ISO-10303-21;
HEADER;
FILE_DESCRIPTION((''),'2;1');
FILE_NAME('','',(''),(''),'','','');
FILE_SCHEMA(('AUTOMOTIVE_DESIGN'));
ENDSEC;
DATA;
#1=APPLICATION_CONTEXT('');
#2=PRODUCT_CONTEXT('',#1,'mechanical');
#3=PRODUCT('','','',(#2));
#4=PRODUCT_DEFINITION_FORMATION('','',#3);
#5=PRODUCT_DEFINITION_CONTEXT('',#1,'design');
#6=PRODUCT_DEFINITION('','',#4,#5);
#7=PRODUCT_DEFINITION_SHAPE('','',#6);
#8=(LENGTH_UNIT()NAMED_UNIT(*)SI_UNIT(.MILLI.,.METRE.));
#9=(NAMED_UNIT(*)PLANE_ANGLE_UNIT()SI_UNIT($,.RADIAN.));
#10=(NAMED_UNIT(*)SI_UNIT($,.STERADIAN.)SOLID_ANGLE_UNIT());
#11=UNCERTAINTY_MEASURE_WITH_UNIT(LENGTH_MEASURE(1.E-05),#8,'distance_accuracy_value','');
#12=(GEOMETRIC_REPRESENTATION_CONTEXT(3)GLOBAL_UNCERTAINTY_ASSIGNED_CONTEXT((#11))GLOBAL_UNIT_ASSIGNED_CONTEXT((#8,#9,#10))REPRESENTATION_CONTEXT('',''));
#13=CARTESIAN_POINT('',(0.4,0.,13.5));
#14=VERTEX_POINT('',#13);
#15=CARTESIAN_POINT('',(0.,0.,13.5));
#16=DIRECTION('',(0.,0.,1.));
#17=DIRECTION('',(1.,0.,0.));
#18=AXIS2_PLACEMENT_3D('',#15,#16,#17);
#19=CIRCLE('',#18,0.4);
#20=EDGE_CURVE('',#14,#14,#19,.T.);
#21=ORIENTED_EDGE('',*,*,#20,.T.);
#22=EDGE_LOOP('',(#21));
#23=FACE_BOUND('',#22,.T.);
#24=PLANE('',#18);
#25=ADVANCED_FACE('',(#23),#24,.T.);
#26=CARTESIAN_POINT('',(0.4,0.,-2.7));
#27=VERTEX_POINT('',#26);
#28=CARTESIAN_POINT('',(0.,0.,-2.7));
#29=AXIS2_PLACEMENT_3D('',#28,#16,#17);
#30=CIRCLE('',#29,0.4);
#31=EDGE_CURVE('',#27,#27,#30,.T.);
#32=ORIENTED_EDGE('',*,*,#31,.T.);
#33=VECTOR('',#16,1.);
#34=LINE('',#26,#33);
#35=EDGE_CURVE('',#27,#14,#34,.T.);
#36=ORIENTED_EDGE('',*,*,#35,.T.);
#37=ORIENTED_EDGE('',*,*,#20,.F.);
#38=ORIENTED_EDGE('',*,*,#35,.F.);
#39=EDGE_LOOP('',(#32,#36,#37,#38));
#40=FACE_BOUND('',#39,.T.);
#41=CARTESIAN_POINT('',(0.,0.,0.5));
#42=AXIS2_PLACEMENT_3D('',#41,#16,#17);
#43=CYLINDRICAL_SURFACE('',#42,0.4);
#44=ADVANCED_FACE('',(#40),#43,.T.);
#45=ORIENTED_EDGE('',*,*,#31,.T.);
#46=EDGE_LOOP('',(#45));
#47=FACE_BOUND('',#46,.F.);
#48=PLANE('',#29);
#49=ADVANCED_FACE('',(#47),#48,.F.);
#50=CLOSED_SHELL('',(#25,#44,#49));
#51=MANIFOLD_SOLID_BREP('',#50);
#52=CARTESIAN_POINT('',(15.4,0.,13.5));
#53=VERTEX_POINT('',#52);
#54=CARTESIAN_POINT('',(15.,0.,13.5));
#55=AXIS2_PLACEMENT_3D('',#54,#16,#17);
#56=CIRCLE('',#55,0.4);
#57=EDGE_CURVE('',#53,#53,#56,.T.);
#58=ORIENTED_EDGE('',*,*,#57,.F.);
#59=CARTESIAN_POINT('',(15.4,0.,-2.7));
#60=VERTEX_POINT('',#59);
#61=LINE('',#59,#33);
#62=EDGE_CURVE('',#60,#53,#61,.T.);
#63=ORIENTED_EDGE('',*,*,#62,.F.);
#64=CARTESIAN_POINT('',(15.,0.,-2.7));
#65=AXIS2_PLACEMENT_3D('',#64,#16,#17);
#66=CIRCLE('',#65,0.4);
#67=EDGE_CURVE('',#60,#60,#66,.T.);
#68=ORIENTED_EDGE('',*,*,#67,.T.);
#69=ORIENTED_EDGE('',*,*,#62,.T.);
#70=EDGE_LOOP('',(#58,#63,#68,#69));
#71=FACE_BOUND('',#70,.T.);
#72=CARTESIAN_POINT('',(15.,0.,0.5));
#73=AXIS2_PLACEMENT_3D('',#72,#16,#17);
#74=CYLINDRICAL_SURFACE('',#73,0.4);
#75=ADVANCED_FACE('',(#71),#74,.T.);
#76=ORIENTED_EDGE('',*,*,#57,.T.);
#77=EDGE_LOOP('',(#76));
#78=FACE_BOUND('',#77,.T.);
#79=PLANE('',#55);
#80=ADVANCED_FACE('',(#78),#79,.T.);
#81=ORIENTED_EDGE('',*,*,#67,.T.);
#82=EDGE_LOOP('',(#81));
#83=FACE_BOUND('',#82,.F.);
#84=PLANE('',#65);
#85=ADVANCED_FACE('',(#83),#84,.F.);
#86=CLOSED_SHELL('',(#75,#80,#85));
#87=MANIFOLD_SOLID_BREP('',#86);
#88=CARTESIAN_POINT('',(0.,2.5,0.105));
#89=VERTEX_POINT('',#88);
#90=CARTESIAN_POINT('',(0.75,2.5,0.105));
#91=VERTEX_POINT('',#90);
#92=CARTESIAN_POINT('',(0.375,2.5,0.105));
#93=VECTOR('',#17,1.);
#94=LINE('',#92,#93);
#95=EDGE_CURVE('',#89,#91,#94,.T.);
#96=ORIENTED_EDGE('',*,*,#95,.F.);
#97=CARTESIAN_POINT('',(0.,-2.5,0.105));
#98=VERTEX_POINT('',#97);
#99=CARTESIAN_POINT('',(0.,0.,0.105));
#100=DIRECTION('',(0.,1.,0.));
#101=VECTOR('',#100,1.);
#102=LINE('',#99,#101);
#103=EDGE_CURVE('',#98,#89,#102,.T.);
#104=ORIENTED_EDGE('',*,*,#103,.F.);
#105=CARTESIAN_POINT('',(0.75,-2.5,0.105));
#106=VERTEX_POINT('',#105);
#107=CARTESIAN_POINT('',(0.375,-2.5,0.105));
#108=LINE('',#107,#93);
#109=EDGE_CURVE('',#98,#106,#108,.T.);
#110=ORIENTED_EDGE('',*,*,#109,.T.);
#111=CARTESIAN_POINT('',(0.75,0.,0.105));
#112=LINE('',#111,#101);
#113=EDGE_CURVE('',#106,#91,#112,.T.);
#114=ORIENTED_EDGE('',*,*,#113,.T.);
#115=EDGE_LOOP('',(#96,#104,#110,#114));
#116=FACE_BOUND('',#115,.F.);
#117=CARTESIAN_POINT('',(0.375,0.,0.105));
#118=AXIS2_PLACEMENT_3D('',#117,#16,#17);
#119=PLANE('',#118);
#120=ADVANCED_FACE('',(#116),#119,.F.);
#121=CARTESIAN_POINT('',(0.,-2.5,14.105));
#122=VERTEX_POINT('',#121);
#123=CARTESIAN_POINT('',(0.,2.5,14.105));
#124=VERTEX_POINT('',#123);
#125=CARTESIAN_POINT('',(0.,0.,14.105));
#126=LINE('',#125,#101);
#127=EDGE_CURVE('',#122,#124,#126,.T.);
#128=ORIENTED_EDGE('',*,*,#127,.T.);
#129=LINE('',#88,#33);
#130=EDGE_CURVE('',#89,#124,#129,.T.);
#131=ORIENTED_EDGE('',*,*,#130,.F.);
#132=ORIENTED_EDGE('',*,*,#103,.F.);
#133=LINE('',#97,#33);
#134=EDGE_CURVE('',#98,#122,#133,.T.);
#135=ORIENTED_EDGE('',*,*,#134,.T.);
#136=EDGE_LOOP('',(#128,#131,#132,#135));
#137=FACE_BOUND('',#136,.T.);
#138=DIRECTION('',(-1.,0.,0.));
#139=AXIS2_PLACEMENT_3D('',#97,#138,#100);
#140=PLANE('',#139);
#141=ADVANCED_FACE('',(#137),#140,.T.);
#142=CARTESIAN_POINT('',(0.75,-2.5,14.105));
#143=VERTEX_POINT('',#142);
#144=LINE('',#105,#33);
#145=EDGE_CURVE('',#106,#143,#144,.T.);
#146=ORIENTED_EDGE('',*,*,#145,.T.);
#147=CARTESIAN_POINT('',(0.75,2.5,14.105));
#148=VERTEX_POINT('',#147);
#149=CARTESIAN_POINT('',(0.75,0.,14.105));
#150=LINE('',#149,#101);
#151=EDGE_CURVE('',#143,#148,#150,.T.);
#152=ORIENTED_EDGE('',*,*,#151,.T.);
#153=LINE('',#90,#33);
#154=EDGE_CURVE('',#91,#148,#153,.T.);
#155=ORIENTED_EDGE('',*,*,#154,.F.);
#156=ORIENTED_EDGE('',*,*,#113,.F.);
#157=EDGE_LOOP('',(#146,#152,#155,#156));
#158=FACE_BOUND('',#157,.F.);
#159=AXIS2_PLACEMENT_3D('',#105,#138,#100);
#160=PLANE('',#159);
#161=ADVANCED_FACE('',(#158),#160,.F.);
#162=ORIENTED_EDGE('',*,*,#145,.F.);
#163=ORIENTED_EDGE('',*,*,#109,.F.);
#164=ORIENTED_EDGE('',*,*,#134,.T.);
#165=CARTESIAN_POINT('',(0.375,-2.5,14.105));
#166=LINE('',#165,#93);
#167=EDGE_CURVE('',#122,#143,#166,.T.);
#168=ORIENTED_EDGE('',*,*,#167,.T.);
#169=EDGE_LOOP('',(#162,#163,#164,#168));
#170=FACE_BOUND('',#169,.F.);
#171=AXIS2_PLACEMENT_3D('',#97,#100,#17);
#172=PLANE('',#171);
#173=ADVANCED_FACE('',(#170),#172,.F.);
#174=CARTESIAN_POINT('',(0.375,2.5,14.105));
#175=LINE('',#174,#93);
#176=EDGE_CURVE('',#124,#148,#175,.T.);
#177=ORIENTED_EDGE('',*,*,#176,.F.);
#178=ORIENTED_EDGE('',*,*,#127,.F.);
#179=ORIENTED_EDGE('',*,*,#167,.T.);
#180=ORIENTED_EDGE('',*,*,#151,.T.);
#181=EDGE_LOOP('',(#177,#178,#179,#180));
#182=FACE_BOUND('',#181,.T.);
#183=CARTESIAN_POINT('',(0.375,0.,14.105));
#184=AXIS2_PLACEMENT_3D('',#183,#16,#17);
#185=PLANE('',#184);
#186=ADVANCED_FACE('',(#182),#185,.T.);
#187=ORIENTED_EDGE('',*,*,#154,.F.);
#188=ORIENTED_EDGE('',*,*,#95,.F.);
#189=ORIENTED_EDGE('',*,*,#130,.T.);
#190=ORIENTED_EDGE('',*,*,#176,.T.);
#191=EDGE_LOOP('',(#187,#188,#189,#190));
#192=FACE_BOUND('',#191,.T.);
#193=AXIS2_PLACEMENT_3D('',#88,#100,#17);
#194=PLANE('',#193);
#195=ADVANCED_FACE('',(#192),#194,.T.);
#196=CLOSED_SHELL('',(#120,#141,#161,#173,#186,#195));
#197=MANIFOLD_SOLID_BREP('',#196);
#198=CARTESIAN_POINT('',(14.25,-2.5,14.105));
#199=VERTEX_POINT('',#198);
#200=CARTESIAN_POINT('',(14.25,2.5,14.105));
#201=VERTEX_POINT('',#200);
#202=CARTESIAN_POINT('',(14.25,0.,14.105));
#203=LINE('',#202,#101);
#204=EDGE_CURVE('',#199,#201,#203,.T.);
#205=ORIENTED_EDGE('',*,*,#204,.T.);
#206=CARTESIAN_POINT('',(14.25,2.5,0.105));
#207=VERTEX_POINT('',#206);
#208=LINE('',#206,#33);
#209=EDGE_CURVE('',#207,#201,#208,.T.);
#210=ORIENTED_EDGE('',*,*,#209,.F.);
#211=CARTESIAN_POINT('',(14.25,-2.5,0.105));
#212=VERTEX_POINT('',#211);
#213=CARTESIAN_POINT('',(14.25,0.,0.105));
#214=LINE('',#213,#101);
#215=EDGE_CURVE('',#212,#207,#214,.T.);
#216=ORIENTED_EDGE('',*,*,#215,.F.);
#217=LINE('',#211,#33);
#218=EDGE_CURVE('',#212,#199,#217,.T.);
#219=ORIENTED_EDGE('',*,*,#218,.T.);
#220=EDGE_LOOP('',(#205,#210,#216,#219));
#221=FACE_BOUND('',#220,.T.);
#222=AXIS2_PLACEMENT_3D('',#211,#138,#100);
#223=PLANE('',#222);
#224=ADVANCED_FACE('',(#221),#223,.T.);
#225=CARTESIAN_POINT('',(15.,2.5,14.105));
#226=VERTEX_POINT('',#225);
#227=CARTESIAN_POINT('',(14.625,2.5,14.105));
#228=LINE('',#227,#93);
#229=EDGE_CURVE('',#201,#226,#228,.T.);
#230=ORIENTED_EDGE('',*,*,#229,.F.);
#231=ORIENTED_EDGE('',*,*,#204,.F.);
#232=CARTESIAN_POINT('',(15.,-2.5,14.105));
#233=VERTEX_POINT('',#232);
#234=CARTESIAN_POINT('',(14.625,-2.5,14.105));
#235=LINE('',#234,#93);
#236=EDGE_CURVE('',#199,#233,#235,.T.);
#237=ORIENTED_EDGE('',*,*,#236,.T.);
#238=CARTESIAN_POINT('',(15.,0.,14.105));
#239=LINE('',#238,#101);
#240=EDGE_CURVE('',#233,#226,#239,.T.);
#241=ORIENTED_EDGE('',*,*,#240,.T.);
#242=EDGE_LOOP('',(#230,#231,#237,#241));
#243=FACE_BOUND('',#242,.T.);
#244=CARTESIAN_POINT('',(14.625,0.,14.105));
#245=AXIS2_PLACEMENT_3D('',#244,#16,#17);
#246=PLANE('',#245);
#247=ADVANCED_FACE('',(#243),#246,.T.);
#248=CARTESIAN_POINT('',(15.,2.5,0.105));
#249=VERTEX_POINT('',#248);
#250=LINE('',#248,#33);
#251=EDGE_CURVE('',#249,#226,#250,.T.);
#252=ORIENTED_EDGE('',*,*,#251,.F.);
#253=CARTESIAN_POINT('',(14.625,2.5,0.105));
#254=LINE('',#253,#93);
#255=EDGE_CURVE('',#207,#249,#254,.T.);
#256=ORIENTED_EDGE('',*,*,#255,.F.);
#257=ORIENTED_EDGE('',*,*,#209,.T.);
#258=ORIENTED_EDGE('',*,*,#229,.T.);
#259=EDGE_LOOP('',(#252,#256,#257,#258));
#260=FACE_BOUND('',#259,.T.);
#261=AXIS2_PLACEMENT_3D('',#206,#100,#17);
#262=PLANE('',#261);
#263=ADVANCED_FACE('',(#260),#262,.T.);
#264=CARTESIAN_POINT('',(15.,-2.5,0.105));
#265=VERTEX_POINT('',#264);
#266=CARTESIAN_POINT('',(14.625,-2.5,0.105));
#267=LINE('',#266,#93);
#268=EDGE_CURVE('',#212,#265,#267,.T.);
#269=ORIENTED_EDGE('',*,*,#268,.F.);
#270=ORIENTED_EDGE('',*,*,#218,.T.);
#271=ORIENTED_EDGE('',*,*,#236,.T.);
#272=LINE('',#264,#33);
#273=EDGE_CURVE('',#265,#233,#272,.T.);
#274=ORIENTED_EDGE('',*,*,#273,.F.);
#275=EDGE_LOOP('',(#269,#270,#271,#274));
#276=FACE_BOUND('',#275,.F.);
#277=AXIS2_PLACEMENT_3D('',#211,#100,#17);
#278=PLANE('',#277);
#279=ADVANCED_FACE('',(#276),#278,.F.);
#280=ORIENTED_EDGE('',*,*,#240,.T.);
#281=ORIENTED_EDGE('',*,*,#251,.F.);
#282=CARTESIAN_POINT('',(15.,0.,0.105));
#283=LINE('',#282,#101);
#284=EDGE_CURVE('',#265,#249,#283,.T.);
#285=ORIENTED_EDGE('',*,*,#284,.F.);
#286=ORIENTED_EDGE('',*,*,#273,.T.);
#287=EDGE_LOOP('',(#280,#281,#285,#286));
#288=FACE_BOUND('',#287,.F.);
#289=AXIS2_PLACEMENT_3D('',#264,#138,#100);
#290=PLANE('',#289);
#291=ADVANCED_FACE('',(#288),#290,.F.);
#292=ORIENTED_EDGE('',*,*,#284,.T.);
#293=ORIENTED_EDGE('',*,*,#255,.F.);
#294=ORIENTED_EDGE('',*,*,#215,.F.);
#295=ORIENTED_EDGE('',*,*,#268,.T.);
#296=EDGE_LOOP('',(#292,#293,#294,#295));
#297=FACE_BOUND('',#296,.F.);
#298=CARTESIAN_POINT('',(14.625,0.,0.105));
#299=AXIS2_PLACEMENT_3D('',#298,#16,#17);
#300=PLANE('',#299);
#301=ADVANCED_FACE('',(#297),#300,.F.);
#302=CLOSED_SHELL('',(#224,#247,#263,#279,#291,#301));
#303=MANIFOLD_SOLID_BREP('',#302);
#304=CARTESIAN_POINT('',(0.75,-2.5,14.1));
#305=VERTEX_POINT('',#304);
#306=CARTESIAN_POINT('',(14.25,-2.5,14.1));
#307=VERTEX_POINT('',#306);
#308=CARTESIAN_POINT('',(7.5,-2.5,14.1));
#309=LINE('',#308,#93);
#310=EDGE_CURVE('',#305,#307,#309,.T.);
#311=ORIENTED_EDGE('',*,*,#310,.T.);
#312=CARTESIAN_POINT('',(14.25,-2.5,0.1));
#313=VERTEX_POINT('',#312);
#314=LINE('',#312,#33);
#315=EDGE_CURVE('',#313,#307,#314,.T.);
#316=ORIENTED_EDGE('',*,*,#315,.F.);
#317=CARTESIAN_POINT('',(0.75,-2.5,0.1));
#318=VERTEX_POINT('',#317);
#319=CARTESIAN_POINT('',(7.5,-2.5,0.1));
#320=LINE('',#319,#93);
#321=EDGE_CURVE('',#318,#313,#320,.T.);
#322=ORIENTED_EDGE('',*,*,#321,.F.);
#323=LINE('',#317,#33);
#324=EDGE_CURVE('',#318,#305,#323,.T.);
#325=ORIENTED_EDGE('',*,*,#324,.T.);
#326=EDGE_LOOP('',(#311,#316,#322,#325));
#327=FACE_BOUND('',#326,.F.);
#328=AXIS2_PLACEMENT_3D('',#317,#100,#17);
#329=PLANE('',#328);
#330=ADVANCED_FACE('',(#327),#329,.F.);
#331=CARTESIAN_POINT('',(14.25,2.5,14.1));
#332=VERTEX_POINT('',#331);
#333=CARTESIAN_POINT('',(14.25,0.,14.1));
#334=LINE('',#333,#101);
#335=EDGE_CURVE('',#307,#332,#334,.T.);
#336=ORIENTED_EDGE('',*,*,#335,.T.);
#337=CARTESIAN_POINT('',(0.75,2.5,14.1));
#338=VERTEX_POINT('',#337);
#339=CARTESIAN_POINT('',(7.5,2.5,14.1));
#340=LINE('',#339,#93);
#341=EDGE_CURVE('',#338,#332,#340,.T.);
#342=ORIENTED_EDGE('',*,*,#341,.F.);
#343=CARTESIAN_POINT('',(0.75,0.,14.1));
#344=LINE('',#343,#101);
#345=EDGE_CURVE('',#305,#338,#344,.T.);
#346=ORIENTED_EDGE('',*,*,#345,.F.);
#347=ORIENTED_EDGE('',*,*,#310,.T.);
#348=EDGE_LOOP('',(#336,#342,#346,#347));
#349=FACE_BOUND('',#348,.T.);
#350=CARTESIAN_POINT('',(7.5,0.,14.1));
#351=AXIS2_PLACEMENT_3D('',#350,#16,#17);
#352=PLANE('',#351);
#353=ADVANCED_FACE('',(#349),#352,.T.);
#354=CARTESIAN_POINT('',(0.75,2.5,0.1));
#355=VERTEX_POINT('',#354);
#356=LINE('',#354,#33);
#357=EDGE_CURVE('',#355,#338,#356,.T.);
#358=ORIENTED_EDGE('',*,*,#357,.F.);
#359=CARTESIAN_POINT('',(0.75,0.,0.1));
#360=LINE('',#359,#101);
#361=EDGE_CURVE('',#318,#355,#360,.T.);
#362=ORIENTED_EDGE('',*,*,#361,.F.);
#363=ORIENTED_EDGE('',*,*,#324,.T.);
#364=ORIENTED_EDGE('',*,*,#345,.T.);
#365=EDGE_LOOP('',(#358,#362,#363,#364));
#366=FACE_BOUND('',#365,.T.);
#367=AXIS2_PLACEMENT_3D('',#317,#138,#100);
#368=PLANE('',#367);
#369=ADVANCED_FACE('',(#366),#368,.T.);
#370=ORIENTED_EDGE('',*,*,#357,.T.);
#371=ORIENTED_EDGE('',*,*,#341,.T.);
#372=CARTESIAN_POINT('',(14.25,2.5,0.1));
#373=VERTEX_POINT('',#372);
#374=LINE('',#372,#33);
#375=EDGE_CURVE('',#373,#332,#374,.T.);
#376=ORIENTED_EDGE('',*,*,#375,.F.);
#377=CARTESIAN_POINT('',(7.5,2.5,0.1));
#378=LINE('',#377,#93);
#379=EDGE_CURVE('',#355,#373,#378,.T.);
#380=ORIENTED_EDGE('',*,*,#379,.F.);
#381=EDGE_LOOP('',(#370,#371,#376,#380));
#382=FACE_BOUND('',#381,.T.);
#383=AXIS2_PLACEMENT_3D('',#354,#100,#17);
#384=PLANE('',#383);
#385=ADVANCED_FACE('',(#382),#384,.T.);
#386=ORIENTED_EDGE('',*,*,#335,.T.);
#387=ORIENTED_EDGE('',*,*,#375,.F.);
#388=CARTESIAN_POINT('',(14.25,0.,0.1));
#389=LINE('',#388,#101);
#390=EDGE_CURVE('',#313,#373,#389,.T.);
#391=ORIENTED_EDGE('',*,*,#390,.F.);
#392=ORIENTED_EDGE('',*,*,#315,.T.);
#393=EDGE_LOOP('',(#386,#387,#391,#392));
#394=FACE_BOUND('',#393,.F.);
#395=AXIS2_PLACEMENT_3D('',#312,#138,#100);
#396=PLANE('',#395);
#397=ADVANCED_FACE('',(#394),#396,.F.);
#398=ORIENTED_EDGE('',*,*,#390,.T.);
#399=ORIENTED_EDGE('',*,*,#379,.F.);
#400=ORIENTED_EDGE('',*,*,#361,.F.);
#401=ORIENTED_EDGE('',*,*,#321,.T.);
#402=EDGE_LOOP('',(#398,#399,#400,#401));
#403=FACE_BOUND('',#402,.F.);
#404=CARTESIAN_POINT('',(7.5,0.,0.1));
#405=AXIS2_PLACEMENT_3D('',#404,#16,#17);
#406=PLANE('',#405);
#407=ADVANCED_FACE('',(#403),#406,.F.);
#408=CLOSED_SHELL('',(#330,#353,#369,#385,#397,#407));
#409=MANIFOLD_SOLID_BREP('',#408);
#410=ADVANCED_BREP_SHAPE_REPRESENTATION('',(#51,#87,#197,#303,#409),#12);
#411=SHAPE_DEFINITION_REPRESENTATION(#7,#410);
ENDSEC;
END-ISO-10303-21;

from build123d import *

# Parameters (mm, degrees)
SKETCH_W          = 13.5
SKETCH_H          = 5
PAD_DEPTH         = 14
SKETCH001_R       = 0.4
PAD001_DEPTH      = 13
PAD001_DEPTH_BACK = 3.2
SKETCH002_W       = 0.75
SKETCH002_H       = 5
PAD002_DEPTH      = 14


with BuildPart() as pad:
    # Sketch → Pad (new body)
    with BuildSketch(Plane.XY.offset(0.1)):
        with Locations((7.5, 0)):
            Rectangle(SKETCH_W, SKETCH_H)
    extrude(amount=PAD_DEPTH)


with BuildPart() as pad001:
    # Sketch001 → Pad001 (new body, two sides)
    with BuildSketch(Plane.XY.offset(0.5)) as pad001_sk:
        Circle(SKETCH001_R)
        with Locations((15, 0)):
            Circle(SKETCH001_R)
    extrude(amount=PAD001_DEPTH)
    extrude(pad001_sk.sketch, amount=-PAD001_DEPTH_BACK)


with BuildPart() as pad002:
    # Sketch002 → Pad002 (new body)
    with BuildSketch(Plane.XY.offset(0.105)):
        with Locations((0.375, 0)):
            Rectangle(SKETCH002_W, SKETCH002_H)
        with Locations((14.625, 0)):
            Rectangle(SKETCH002_W, SKETCH002_H)
    extrude(amount=PAD002_DEPTH)


solid = Compound([pad.part, pad001.part, pad002.part])
